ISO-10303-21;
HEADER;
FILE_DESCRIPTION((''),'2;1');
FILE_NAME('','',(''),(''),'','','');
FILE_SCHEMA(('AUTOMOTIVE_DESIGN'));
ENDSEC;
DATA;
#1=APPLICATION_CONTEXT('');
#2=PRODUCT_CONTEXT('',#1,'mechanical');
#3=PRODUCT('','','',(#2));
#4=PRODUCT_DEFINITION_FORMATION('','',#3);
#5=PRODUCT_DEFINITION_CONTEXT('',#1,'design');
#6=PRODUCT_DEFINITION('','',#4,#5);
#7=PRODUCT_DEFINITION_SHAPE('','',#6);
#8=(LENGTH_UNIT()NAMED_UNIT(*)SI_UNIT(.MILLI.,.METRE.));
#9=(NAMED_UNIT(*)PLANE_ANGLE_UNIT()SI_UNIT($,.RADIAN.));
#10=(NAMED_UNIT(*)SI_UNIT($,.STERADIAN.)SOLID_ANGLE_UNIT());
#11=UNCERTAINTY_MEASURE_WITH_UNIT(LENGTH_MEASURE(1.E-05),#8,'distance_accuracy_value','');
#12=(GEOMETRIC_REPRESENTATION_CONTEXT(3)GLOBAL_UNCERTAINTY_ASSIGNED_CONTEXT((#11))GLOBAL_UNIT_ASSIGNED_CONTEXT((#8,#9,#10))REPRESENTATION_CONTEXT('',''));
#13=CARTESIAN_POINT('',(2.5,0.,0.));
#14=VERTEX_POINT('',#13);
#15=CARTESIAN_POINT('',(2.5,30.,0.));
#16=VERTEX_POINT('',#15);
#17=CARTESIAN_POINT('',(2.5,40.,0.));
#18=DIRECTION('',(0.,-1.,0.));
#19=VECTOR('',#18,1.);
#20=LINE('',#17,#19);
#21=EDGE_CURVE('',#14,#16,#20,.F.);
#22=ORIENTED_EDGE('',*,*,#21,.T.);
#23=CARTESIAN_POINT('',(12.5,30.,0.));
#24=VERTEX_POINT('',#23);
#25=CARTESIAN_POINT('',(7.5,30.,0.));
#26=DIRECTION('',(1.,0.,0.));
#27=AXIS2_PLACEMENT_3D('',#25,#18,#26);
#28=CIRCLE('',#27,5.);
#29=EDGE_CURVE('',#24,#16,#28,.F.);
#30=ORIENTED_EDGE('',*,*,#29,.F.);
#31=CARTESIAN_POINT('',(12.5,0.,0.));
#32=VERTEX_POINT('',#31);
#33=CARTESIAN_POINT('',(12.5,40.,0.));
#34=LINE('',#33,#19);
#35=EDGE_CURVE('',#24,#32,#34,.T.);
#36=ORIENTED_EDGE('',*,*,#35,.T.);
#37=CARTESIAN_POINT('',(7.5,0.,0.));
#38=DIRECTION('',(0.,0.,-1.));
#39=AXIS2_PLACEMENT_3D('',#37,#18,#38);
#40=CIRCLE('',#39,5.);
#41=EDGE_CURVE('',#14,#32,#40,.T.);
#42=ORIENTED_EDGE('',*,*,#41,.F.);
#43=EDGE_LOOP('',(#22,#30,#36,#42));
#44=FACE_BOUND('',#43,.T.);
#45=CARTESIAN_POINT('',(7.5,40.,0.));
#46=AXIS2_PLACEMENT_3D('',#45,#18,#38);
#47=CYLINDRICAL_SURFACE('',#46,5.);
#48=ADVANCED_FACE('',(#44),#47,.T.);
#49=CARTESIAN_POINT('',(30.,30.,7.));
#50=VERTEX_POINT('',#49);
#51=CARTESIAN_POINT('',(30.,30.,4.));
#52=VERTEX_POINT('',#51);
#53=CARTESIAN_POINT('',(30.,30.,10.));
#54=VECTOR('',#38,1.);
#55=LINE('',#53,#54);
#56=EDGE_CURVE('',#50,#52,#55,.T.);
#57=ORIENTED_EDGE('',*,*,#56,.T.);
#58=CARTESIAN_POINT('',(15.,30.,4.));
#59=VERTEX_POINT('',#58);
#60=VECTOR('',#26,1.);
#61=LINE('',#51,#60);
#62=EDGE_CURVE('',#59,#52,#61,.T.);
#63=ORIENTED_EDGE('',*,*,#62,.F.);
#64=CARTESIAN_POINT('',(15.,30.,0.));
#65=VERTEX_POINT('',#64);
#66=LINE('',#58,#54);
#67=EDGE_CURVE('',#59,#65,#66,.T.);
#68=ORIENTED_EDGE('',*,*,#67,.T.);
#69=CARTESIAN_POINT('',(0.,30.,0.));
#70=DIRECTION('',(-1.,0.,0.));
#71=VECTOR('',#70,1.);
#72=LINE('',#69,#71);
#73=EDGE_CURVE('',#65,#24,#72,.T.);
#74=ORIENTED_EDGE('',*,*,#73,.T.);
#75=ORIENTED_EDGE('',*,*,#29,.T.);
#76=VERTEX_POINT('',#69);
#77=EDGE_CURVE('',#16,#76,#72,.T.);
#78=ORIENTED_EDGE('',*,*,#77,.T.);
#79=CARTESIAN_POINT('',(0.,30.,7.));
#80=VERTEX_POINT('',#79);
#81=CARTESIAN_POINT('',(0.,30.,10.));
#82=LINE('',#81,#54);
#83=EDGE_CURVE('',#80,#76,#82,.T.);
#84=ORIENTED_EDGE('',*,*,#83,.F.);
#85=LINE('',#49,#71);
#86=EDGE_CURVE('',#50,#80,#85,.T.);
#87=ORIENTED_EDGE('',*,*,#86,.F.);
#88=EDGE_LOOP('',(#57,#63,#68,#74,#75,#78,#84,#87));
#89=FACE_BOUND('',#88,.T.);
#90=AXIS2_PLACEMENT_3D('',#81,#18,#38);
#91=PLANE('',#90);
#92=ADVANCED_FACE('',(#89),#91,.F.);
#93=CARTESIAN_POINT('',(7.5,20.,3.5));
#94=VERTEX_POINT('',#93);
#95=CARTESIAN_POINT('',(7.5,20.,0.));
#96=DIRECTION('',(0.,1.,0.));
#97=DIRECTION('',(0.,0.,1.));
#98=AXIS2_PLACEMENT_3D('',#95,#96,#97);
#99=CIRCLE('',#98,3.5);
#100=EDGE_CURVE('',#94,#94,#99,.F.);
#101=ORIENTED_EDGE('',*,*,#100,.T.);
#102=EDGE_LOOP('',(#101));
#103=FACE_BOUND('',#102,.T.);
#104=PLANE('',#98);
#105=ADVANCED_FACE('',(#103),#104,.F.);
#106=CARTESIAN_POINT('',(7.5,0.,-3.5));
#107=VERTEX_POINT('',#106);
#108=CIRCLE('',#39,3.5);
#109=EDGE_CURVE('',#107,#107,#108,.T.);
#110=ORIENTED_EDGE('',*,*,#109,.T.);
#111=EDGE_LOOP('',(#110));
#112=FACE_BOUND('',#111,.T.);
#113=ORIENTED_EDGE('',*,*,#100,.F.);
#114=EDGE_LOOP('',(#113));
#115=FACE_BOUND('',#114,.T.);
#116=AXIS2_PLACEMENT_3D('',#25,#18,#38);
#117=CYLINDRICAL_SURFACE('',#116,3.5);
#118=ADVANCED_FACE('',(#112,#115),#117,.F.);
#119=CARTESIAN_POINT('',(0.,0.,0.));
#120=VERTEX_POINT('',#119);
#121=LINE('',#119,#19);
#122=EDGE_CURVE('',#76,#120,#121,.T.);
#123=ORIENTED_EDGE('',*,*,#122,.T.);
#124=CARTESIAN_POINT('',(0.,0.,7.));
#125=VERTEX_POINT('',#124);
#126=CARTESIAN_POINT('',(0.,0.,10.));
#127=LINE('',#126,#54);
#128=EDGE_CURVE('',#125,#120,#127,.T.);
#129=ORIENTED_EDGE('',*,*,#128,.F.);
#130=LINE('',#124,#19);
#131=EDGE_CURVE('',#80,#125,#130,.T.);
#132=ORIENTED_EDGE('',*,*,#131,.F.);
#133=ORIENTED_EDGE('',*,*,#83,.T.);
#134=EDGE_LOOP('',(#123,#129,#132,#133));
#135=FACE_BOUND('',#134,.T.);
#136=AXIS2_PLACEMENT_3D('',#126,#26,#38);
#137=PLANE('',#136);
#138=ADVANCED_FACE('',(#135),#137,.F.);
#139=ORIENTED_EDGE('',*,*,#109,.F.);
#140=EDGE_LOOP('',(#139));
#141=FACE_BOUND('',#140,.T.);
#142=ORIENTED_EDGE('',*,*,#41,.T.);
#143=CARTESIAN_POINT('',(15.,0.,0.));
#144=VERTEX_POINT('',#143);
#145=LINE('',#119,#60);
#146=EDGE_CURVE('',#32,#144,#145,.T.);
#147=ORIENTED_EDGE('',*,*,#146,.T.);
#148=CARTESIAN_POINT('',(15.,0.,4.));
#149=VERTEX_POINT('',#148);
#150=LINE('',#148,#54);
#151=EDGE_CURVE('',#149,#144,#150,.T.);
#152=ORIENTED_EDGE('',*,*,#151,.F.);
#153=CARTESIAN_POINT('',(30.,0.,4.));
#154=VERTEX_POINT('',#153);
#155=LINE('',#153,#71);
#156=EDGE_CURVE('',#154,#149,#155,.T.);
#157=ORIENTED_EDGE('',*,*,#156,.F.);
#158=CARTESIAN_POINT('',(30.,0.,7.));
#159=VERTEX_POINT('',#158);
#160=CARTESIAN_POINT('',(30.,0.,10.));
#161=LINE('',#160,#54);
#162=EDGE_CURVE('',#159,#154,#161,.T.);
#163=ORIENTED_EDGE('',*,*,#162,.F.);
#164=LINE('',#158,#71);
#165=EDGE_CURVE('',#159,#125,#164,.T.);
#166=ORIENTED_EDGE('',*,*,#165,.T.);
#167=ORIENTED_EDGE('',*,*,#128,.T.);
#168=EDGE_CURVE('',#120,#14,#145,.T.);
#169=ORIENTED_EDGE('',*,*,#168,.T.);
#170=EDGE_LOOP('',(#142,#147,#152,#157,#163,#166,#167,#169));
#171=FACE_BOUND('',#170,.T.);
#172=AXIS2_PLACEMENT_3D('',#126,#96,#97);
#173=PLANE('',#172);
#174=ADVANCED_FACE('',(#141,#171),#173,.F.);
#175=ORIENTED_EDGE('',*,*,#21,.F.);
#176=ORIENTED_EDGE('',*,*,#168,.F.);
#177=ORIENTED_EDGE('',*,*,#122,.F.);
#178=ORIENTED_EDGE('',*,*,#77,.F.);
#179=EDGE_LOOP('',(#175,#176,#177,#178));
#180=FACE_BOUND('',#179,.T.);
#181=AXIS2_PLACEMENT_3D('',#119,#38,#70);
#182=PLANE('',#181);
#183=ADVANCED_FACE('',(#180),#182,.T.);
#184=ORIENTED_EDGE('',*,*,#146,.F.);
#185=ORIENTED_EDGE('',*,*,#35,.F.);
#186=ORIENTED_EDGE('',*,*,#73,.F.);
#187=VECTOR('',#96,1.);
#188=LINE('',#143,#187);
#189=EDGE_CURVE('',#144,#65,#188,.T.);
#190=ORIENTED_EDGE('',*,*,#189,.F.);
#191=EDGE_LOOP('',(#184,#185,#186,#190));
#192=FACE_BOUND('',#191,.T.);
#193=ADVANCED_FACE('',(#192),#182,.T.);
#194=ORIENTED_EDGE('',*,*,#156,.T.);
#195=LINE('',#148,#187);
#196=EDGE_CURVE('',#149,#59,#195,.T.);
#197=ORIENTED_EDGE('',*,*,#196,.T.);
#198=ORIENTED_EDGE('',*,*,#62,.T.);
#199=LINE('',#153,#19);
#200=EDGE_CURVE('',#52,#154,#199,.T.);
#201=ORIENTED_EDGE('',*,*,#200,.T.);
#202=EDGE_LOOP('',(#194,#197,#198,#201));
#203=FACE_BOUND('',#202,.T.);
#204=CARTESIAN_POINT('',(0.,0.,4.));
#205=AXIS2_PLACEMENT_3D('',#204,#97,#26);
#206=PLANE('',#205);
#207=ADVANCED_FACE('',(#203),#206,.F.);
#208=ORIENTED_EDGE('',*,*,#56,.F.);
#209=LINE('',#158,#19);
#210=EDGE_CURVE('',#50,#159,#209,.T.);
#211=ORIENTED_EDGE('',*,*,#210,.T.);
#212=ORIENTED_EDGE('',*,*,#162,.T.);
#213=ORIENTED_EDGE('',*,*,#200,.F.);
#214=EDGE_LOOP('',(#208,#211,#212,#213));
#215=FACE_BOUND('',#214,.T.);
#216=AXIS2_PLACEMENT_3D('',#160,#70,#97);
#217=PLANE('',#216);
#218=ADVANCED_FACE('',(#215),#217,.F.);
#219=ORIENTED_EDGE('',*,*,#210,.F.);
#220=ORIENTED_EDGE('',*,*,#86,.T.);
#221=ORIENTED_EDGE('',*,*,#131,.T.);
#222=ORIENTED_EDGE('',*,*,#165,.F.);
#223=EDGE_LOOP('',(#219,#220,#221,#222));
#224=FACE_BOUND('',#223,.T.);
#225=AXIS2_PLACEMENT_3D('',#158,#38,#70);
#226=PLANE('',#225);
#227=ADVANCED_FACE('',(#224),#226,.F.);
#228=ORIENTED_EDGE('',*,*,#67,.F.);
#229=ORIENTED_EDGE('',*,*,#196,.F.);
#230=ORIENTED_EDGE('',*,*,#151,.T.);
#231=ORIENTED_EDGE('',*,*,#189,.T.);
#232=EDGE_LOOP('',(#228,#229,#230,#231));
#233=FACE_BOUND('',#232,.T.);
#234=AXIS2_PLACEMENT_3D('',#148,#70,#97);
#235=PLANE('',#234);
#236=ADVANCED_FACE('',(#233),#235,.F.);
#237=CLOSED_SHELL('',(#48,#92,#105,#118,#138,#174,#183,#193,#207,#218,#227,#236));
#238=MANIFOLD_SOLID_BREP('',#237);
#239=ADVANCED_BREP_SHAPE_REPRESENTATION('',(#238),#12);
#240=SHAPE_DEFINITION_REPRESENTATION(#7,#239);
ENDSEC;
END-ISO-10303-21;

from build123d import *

# Parameters (mm, degrees)
SKETCH1_W               = 30
SKETCH1_H               = 30
BOSS_EXTRUDE1_DEPTH     = 10
SKETCH2_W               = 15
SKETCH2_H               = 30
CUT_EXTRUDE1_DEPTH      = 4
SKETCH4_R               = 1.75
CUT_EXTRUDE3_DEPTH      = 30
SKETCH7_R               = 5
BOSS_EXTRUDE2_DEPTH     = 40
SKETCH8_R               = 3.5
CUT_EXTRUDE4_DEPTH      = 30
SKETCH9_W               = 3
SKETCH9_H               = 30
CUT_EXTRUDE5_DEPTH      = 31
SKETCH11_W              = 33.170745935
SKETCH11_H              = 13.10963014
CUT_EXTRUDE6_DEPTH      = 6
CUT_EXTRUDE6_DEPTH_BACK = 8
SKETCH12_R              = 3.5
BOSS_EXTRUDE3_DEPTH     = 10
BOSS_EXTRUDE4_DEPTH     = 3


with BuildPart() as part:
    # Sketch1 → Boss-Extrude1 (new body)
    with BuildSketch(Plane.XY):
        with Locations((15, 15)):
            Rectangle(SKETCH1_W, SKETCH1_H)
    extrude(amount=BOSS_EXTRUDE1_DEPTH)

    # Sketch2 → Cut-Extrude1 (cut)
    with BuildSketch(Plane(origin=(0, 0, 0), x_dir=(-1, 0, 0), z_dir=(0, 0, -1))):
        with Locations((-22.5, 15)):
            Rectangle(SKETCH2_W, SKETCH2_H)
    extrude(amount=-CUT_EXTRUDE1_DEPTH, mode=Mode.SUBTRACT)

    # Sketch4 → Cut-Extrude3 (cut)
    with BuildSketch(Plane(origin=(0, 0, 4), x_dir=(-1, 0, 0), z_dir=(0, 0, -1))):
        with Locations((-22.5, 0)):
            Circle(SKETCH4_R)
        with Locations((-22.5, 30)):
            Circle(SKETCH4_R)
    extrude(amount=-CUT_EXTRUDE3_DEPTH, mode=Mode.SUBTRACT)

    # Sketch7 → Boss-Extrude2 (add)
    with BuildSketch(Plane.XZ):
        with Locations((7.5, 0)):
            Circle(SKETCH7_R)
    extrude(amount=-BOSS_EXTRUDE2_DEPTH)

    # Sketch8 → Cut-Extrude4 (cut)
    with BuildSketch(Plane.XZ):
        with Locations((7.5, 0)):
            Circle(SKETCH8_R)
    extrude(amount=-CUT_EXTRUDE4_DEPTH, mode=Mode.SUBTRACT)

    # Sketch9 → Cut-Extrude5 (cut, through all)
    with BuildSketch(Plane.ZY):
        with Locations((8.5, 15)):
            Rectangle(SKETCH9_W, SKETCH9_H)
    extrude(amount=-CUT_EXTRUDE5_DEPTH, mode=Mode.SUBTRACT)

    # Sketch11 → Cut-Extrude6 (cut, two sides)
    with BuildSketch(Plane(origin=(0, 0, 0), x_dir=(-1, 0, 0), z_dir=(0, 0, -1))) as cut_extrude6_sk:
        with Locations((-15.51660734, 36.55481507)):
            Rectangle(SKETCH11_W, SKETCH11_H)
    extrude(amount=CUT_EXTRUDE6_DEPTH, mode=Mode.SUBTRACT)
    extrude(cut_extrude6_sk.sketch, amount=-CUT_EXTRUDE6_DEPTH_BACK, mode=Mode.SUBTRACT)

    # Sketch12 → Boss-Extrude3 (add)
    with BuildSketch(Plane(origin=(0, 30, 0), x_dir=(1, 0, 0), z_dir=(0, 1, 0))):
        with Locations((7.5, 0)):
            Circle(SKETCH12_R)
    extrude(amount=-BOSS_EXTRUDE3_DEPTH)

    # Sketch13 → Boss-Extrude4 (add)
    with BuildSketch(Plane(origin=(0, 0, 4), x_dir=(-1, 0, 0), z_dir=(0, 0, -1))):
        with BuildLine():
            Line((-24.25, 30), (-20.75, 30))
            ThreePointArc((-20.75, 30), (-22.5, 28.25), (-24.25, 30))
        make_face()
        with BuildLine():
            Line((-24.25, 0), (-20.75, 0))
            ThreePointArc((-20.75, 0), (-22.5, 1.75), (-24.25, 0))
        make_face()
    extrude(amount=-BOSS_EXTRUDE4_DEPTH)


solid = part.part
